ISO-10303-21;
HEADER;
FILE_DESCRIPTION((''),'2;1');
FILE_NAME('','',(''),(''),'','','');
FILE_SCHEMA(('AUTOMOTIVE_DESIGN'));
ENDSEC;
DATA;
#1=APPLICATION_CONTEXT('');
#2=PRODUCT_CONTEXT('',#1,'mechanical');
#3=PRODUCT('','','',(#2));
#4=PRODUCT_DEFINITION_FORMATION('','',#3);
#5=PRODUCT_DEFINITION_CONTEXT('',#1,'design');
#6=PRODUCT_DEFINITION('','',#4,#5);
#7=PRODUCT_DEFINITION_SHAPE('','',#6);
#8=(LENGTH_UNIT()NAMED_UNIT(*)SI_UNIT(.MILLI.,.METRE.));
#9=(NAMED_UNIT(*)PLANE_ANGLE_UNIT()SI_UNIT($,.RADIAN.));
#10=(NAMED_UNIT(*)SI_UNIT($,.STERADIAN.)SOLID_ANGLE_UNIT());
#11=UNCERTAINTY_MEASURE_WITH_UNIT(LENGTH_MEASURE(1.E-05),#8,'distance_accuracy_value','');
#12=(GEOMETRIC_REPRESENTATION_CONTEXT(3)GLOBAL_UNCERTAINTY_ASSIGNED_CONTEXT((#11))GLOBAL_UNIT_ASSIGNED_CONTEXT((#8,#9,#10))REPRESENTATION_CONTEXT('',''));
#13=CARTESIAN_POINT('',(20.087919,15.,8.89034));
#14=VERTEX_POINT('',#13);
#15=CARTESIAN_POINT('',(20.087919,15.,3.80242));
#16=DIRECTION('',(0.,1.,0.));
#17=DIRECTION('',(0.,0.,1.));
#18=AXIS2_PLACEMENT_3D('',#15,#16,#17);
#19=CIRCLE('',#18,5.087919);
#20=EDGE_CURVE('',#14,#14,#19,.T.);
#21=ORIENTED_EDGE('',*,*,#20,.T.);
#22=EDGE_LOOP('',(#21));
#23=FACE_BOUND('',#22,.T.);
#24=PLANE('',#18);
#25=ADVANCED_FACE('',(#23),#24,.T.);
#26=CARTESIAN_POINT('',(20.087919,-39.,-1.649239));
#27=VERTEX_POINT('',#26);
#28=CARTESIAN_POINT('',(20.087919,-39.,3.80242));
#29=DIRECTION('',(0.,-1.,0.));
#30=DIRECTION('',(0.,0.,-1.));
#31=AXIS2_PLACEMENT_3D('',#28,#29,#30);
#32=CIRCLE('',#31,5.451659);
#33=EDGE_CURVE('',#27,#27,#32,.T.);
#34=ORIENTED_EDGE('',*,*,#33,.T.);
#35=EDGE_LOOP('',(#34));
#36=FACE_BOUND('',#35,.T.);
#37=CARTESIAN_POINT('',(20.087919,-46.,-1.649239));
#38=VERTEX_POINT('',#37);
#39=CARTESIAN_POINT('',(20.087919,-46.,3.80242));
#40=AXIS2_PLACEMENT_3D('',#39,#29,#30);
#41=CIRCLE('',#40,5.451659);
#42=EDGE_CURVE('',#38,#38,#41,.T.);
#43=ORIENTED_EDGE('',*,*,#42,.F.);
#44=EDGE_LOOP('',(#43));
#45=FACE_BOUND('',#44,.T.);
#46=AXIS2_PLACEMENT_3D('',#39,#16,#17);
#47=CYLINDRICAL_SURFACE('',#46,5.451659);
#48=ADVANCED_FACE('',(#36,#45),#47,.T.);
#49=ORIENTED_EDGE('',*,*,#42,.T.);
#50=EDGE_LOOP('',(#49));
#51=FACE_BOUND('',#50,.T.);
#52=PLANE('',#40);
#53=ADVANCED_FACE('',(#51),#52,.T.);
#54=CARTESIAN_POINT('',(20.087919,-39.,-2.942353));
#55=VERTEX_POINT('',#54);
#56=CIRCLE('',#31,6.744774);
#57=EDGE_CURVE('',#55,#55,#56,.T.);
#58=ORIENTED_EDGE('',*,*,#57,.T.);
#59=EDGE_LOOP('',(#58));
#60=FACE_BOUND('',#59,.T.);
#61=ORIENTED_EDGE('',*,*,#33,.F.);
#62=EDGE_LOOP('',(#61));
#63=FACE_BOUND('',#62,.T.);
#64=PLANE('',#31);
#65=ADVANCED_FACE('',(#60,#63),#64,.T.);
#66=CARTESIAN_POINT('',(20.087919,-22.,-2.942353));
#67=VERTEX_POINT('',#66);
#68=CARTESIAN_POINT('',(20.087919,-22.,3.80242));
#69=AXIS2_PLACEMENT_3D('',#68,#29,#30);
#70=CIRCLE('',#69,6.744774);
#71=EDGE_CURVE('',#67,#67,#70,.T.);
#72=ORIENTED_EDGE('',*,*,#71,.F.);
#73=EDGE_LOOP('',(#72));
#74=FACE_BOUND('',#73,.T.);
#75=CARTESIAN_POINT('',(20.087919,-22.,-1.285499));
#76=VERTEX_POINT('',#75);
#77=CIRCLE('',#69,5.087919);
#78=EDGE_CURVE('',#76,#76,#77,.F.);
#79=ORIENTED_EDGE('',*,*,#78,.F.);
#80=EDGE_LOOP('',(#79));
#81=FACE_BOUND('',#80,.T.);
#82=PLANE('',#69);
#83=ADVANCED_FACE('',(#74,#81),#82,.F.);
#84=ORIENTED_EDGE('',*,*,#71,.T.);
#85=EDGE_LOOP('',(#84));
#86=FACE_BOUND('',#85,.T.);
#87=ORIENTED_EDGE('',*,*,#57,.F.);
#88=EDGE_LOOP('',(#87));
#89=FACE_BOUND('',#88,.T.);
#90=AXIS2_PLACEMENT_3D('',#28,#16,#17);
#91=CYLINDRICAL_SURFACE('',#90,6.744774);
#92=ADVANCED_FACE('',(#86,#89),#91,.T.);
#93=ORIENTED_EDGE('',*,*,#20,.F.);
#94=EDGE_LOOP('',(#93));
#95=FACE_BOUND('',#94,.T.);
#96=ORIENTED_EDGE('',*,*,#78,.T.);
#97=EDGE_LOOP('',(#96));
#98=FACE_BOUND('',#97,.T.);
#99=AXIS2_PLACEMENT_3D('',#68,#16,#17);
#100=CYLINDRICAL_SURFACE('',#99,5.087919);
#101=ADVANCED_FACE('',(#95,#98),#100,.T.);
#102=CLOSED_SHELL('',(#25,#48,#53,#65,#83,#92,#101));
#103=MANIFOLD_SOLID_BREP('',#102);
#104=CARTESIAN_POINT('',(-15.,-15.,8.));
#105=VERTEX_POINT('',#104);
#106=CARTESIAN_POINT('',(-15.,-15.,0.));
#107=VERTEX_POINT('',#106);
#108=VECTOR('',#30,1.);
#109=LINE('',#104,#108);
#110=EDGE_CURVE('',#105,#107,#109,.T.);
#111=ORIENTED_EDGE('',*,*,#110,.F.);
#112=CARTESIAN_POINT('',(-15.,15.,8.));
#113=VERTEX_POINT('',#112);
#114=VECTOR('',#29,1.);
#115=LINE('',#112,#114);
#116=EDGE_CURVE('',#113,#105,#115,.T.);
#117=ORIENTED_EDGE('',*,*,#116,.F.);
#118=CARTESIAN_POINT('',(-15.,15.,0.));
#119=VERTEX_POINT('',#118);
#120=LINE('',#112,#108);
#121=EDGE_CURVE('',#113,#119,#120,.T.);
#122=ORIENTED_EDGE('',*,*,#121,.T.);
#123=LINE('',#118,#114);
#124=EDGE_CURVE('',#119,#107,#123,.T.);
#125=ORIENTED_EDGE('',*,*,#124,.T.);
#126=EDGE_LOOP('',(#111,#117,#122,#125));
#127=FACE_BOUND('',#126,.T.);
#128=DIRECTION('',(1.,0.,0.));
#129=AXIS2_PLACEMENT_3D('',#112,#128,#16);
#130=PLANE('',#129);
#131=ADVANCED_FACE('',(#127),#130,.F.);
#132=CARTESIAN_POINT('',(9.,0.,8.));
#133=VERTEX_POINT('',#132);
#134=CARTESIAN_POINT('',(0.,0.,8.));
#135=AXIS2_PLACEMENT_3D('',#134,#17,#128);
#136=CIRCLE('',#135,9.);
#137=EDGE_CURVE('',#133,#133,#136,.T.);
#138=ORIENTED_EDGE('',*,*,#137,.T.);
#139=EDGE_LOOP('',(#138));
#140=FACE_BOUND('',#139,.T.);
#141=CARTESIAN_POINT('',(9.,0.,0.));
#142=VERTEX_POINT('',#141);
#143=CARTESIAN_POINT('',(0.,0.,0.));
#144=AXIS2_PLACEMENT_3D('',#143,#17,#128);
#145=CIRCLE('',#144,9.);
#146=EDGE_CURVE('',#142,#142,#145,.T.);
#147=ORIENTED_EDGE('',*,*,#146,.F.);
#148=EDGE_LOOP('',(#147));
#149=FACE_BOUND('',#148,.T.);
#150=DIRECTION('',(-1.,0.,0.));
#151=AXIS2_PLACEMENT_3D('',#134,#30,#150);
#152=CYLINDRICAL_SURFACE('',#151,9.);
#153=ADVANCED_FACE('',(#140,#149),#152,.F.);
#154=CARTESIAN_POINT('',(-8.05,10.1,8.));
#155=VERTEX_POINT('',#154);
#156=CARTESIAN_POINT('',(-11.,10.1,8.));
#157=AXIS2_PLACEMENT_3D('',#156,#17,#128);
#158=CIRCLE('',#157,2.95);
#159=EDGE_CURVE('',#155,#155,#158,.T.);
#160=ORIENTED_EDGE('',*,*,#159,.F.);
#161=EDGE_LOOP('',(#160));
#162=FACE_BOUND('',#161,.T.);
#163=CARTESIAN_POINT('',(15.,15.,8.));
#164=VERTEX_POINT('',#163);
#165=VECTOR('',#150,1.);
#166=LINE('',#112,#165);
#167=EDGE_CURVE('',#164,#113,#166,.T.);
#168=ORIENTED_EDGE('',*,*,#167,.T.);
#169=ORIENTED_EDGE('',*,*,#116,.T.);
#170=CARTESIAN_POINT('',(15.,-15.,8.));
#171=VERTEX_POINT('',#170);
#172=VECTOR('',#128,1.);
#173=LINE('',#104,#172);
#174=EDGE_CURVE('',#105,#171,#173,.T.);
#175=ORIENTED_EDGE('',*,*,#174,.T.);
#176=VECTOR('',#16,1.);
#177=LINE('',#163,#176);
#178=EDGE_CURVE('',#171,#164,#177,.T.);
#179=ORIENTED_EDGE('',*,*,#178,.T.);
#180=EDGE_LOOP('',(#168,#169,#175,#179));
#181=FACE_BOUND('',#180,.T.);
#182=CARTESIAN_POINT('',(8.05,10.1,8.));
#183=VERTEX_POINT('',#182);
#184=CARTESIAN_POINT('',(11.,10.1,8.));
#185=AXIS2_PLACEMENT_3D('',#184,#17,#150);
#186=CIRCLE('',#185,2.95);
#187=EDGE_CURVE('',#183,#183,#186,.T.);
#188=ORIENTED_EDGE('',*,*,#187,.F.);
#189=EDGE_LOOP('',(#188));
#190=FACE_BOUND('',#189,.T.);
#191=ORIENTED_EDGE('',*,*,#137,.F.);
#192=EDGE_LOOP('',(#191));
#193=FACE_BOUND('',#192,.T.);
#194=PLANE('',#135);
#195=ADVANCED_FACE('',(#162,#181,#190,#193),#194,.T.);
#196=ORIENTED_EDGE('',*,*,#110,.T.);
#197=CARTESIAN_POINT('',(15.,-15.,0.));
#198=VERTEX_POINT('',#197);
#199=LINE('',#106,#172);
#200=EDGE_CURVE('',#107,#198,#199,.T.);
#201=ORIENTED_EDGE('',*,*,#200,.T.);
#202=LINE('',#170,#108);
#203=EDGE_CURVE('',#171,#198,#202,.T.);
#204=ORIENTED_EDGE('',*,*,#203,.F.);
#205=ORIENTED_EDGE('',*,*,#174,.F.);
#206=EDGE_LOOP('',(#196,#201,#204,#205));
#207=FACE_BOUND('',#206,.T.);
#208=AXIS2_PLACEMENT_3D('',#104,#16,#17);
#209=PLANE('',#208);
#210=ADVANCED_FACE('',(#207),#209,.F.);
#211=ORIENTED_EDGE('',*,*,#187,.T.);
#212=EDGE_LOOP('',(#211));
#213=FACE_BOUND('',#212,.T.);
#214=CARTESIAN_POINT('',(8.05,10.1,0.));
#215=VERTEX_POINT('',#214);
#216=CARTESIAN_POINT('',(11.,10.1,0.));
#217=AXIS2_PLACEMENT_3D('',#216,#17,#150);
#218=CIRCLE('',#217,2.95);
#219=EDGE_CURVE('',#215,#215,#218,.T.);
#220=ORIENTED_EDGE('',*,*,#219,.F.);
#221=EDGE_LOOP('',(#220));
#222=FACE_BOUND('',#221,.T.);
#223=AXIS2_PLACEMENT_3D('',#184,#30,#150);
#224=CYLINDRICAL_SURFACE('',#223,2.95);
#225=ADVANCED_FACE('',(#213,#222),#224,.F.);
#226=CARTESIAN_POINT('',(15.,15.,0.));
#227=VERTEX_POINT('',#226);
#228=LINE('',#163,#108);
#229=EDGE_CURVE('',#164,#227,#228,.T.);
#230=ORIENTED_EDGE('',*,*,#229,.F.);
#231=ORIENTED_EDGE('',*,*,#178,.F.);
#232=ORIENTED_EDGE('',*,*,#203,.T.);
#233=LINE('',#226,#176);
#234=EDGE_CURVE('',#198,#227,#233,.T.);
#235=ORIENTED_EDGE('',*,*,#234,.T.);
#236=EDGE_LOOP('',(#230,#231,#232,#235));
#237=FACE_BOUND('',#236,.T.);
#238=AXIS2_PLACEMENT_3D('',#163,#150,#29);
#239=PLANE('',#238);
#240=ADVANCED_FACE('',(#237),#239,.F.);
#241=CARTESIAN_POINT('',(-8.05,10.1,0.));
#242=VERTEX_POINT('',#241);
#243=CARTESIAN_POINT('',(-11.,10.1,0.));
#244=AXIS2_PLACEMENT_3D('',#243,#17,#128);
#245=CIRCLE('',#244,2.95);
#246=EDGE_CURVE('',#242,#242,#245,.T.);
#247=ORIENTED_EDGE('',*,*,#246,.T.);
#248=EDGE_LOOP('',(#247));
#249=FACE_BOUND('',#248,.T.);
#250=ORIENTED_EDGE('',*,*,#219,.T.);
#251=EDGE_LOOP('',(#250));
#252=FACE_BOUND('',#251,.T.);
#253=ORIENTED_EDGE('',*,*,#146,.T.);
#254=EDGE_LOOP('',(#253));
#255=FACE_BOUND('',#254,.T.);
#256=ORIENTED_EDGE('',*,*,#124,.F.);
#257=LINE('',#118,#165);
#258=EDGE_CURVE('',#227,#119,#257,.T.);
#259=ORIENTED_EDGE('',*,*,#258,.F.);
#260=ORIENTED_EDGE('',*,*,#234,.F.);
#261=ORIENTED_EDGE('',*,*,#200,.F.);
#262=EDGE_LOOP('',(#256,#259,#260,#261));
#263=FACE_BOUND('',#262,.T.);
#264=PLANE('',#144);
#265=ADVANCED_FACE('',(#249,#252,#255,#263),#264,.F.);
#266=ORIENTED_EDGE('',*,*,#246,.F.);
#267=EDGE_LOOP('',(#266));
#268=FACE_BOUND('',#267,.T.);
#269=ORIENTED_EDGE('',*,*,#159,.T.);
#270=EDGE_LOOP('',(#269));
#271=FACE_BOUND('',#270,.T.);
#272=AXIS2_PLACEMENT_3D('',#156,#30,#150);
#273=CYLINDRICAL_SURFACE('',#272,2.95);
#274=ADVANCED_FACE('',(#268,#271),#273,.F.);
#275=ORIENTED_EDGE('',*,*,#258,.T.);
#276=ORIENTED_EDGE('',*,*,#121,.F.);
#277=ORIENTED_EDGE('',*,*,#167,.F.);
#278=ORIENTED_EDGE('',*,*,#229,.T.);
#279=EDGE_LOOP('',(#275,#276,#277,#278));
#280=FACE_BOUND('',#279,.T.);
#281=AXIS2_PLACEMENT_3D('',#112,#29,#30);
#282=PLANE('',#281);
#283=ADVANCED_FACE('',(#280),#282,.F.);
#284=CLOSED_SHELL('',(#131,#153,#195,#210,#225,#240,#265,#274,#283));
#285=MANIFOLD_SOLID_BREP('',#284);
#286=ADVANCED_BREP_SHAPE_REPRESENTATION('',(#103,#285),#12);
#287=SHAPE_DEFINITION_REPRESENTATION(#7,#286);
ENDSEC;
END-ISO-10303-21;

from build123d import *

# Parameters (mm, degrees)
CROQUIS1_W              = 30
CROQUIS1_H              = 30
CROQUIS1_R              = 9
CROQUIS1_R_2            = 2.95
SALIENTE_EXTRUIR2_DEPTH = 8
CROQUIS3_R              = 5.087919121
SALIENTE_EXTRUIR3_DEPTH = 37
CROQUIS4_R              = 6.744773562
SALIENTE_EXTRUIR4_DEPTH = 17
CROQUIS5_R              = 5.451659249
SALIENTE_EXTRUIR5_DEPTH = 7


with BuildPart() as part:
    # Croquis1 → Saliente-Extruir2 (new body)
    with BuildSketch(Plane.XY):
        Rectangle(CROQUIS1_W, CROQUIS1_H)
        Circle(CROQUIS1_R, mode=Mode.SUBTRACT)
        with Locations((-11, 10.1)):
            Circle(CROQUIS1_R_2, mode=Mode.SUBTRACT)
        with Locations(Location((11, 10.1, 0), (0, 0, 180))):
            Circle(CROQUIS1_R_2, mode=Mode.SUBTRACT)
    extrude(amount=SALIENTE_EXTRUIR2_DEPTH)


with BuildPart() as body_2:
    # Croquis3 → Saliente-Extruir3 (new body)
    with BuildSketch(Plane(origin=(0, 15, 0), x_dir=(1, 0, 0), z_dir=(0, 1, 0))):
        with Locations(Location((20.087919121, -3.80242042, 0), (0, 0, 270))):
            Circle(CROQUIS3_R)
    extrude(amount=-SALIENTE_EXTRUIR3_DEPTH)

    # Croquis4 → Saliente-Extruir4 (add)
    with BuildSketch(Plane.XZ.offset(22)):
        with Locations(Location((20.087919121, 3.80242042, 0), (0, 0, 270))):
            Circle(CROQUIS4_R)
    extrude(amount=SALIENTE_EXTRUIR4_DEPTH)

    # Croquis5 → Saliente-Extruir5 (add)
    with BuildSketch(Plane.XZ.offset(39)):
        with Locations(Location((20.087919121, 3.80242042, 0), (0, 0, 270))):
            Circle(CROQUIS5_R)
    extrude(amount=SALIENTE_EXTRUIR5_DEPTH)


solid = Compound([part.part, body_2.part])
